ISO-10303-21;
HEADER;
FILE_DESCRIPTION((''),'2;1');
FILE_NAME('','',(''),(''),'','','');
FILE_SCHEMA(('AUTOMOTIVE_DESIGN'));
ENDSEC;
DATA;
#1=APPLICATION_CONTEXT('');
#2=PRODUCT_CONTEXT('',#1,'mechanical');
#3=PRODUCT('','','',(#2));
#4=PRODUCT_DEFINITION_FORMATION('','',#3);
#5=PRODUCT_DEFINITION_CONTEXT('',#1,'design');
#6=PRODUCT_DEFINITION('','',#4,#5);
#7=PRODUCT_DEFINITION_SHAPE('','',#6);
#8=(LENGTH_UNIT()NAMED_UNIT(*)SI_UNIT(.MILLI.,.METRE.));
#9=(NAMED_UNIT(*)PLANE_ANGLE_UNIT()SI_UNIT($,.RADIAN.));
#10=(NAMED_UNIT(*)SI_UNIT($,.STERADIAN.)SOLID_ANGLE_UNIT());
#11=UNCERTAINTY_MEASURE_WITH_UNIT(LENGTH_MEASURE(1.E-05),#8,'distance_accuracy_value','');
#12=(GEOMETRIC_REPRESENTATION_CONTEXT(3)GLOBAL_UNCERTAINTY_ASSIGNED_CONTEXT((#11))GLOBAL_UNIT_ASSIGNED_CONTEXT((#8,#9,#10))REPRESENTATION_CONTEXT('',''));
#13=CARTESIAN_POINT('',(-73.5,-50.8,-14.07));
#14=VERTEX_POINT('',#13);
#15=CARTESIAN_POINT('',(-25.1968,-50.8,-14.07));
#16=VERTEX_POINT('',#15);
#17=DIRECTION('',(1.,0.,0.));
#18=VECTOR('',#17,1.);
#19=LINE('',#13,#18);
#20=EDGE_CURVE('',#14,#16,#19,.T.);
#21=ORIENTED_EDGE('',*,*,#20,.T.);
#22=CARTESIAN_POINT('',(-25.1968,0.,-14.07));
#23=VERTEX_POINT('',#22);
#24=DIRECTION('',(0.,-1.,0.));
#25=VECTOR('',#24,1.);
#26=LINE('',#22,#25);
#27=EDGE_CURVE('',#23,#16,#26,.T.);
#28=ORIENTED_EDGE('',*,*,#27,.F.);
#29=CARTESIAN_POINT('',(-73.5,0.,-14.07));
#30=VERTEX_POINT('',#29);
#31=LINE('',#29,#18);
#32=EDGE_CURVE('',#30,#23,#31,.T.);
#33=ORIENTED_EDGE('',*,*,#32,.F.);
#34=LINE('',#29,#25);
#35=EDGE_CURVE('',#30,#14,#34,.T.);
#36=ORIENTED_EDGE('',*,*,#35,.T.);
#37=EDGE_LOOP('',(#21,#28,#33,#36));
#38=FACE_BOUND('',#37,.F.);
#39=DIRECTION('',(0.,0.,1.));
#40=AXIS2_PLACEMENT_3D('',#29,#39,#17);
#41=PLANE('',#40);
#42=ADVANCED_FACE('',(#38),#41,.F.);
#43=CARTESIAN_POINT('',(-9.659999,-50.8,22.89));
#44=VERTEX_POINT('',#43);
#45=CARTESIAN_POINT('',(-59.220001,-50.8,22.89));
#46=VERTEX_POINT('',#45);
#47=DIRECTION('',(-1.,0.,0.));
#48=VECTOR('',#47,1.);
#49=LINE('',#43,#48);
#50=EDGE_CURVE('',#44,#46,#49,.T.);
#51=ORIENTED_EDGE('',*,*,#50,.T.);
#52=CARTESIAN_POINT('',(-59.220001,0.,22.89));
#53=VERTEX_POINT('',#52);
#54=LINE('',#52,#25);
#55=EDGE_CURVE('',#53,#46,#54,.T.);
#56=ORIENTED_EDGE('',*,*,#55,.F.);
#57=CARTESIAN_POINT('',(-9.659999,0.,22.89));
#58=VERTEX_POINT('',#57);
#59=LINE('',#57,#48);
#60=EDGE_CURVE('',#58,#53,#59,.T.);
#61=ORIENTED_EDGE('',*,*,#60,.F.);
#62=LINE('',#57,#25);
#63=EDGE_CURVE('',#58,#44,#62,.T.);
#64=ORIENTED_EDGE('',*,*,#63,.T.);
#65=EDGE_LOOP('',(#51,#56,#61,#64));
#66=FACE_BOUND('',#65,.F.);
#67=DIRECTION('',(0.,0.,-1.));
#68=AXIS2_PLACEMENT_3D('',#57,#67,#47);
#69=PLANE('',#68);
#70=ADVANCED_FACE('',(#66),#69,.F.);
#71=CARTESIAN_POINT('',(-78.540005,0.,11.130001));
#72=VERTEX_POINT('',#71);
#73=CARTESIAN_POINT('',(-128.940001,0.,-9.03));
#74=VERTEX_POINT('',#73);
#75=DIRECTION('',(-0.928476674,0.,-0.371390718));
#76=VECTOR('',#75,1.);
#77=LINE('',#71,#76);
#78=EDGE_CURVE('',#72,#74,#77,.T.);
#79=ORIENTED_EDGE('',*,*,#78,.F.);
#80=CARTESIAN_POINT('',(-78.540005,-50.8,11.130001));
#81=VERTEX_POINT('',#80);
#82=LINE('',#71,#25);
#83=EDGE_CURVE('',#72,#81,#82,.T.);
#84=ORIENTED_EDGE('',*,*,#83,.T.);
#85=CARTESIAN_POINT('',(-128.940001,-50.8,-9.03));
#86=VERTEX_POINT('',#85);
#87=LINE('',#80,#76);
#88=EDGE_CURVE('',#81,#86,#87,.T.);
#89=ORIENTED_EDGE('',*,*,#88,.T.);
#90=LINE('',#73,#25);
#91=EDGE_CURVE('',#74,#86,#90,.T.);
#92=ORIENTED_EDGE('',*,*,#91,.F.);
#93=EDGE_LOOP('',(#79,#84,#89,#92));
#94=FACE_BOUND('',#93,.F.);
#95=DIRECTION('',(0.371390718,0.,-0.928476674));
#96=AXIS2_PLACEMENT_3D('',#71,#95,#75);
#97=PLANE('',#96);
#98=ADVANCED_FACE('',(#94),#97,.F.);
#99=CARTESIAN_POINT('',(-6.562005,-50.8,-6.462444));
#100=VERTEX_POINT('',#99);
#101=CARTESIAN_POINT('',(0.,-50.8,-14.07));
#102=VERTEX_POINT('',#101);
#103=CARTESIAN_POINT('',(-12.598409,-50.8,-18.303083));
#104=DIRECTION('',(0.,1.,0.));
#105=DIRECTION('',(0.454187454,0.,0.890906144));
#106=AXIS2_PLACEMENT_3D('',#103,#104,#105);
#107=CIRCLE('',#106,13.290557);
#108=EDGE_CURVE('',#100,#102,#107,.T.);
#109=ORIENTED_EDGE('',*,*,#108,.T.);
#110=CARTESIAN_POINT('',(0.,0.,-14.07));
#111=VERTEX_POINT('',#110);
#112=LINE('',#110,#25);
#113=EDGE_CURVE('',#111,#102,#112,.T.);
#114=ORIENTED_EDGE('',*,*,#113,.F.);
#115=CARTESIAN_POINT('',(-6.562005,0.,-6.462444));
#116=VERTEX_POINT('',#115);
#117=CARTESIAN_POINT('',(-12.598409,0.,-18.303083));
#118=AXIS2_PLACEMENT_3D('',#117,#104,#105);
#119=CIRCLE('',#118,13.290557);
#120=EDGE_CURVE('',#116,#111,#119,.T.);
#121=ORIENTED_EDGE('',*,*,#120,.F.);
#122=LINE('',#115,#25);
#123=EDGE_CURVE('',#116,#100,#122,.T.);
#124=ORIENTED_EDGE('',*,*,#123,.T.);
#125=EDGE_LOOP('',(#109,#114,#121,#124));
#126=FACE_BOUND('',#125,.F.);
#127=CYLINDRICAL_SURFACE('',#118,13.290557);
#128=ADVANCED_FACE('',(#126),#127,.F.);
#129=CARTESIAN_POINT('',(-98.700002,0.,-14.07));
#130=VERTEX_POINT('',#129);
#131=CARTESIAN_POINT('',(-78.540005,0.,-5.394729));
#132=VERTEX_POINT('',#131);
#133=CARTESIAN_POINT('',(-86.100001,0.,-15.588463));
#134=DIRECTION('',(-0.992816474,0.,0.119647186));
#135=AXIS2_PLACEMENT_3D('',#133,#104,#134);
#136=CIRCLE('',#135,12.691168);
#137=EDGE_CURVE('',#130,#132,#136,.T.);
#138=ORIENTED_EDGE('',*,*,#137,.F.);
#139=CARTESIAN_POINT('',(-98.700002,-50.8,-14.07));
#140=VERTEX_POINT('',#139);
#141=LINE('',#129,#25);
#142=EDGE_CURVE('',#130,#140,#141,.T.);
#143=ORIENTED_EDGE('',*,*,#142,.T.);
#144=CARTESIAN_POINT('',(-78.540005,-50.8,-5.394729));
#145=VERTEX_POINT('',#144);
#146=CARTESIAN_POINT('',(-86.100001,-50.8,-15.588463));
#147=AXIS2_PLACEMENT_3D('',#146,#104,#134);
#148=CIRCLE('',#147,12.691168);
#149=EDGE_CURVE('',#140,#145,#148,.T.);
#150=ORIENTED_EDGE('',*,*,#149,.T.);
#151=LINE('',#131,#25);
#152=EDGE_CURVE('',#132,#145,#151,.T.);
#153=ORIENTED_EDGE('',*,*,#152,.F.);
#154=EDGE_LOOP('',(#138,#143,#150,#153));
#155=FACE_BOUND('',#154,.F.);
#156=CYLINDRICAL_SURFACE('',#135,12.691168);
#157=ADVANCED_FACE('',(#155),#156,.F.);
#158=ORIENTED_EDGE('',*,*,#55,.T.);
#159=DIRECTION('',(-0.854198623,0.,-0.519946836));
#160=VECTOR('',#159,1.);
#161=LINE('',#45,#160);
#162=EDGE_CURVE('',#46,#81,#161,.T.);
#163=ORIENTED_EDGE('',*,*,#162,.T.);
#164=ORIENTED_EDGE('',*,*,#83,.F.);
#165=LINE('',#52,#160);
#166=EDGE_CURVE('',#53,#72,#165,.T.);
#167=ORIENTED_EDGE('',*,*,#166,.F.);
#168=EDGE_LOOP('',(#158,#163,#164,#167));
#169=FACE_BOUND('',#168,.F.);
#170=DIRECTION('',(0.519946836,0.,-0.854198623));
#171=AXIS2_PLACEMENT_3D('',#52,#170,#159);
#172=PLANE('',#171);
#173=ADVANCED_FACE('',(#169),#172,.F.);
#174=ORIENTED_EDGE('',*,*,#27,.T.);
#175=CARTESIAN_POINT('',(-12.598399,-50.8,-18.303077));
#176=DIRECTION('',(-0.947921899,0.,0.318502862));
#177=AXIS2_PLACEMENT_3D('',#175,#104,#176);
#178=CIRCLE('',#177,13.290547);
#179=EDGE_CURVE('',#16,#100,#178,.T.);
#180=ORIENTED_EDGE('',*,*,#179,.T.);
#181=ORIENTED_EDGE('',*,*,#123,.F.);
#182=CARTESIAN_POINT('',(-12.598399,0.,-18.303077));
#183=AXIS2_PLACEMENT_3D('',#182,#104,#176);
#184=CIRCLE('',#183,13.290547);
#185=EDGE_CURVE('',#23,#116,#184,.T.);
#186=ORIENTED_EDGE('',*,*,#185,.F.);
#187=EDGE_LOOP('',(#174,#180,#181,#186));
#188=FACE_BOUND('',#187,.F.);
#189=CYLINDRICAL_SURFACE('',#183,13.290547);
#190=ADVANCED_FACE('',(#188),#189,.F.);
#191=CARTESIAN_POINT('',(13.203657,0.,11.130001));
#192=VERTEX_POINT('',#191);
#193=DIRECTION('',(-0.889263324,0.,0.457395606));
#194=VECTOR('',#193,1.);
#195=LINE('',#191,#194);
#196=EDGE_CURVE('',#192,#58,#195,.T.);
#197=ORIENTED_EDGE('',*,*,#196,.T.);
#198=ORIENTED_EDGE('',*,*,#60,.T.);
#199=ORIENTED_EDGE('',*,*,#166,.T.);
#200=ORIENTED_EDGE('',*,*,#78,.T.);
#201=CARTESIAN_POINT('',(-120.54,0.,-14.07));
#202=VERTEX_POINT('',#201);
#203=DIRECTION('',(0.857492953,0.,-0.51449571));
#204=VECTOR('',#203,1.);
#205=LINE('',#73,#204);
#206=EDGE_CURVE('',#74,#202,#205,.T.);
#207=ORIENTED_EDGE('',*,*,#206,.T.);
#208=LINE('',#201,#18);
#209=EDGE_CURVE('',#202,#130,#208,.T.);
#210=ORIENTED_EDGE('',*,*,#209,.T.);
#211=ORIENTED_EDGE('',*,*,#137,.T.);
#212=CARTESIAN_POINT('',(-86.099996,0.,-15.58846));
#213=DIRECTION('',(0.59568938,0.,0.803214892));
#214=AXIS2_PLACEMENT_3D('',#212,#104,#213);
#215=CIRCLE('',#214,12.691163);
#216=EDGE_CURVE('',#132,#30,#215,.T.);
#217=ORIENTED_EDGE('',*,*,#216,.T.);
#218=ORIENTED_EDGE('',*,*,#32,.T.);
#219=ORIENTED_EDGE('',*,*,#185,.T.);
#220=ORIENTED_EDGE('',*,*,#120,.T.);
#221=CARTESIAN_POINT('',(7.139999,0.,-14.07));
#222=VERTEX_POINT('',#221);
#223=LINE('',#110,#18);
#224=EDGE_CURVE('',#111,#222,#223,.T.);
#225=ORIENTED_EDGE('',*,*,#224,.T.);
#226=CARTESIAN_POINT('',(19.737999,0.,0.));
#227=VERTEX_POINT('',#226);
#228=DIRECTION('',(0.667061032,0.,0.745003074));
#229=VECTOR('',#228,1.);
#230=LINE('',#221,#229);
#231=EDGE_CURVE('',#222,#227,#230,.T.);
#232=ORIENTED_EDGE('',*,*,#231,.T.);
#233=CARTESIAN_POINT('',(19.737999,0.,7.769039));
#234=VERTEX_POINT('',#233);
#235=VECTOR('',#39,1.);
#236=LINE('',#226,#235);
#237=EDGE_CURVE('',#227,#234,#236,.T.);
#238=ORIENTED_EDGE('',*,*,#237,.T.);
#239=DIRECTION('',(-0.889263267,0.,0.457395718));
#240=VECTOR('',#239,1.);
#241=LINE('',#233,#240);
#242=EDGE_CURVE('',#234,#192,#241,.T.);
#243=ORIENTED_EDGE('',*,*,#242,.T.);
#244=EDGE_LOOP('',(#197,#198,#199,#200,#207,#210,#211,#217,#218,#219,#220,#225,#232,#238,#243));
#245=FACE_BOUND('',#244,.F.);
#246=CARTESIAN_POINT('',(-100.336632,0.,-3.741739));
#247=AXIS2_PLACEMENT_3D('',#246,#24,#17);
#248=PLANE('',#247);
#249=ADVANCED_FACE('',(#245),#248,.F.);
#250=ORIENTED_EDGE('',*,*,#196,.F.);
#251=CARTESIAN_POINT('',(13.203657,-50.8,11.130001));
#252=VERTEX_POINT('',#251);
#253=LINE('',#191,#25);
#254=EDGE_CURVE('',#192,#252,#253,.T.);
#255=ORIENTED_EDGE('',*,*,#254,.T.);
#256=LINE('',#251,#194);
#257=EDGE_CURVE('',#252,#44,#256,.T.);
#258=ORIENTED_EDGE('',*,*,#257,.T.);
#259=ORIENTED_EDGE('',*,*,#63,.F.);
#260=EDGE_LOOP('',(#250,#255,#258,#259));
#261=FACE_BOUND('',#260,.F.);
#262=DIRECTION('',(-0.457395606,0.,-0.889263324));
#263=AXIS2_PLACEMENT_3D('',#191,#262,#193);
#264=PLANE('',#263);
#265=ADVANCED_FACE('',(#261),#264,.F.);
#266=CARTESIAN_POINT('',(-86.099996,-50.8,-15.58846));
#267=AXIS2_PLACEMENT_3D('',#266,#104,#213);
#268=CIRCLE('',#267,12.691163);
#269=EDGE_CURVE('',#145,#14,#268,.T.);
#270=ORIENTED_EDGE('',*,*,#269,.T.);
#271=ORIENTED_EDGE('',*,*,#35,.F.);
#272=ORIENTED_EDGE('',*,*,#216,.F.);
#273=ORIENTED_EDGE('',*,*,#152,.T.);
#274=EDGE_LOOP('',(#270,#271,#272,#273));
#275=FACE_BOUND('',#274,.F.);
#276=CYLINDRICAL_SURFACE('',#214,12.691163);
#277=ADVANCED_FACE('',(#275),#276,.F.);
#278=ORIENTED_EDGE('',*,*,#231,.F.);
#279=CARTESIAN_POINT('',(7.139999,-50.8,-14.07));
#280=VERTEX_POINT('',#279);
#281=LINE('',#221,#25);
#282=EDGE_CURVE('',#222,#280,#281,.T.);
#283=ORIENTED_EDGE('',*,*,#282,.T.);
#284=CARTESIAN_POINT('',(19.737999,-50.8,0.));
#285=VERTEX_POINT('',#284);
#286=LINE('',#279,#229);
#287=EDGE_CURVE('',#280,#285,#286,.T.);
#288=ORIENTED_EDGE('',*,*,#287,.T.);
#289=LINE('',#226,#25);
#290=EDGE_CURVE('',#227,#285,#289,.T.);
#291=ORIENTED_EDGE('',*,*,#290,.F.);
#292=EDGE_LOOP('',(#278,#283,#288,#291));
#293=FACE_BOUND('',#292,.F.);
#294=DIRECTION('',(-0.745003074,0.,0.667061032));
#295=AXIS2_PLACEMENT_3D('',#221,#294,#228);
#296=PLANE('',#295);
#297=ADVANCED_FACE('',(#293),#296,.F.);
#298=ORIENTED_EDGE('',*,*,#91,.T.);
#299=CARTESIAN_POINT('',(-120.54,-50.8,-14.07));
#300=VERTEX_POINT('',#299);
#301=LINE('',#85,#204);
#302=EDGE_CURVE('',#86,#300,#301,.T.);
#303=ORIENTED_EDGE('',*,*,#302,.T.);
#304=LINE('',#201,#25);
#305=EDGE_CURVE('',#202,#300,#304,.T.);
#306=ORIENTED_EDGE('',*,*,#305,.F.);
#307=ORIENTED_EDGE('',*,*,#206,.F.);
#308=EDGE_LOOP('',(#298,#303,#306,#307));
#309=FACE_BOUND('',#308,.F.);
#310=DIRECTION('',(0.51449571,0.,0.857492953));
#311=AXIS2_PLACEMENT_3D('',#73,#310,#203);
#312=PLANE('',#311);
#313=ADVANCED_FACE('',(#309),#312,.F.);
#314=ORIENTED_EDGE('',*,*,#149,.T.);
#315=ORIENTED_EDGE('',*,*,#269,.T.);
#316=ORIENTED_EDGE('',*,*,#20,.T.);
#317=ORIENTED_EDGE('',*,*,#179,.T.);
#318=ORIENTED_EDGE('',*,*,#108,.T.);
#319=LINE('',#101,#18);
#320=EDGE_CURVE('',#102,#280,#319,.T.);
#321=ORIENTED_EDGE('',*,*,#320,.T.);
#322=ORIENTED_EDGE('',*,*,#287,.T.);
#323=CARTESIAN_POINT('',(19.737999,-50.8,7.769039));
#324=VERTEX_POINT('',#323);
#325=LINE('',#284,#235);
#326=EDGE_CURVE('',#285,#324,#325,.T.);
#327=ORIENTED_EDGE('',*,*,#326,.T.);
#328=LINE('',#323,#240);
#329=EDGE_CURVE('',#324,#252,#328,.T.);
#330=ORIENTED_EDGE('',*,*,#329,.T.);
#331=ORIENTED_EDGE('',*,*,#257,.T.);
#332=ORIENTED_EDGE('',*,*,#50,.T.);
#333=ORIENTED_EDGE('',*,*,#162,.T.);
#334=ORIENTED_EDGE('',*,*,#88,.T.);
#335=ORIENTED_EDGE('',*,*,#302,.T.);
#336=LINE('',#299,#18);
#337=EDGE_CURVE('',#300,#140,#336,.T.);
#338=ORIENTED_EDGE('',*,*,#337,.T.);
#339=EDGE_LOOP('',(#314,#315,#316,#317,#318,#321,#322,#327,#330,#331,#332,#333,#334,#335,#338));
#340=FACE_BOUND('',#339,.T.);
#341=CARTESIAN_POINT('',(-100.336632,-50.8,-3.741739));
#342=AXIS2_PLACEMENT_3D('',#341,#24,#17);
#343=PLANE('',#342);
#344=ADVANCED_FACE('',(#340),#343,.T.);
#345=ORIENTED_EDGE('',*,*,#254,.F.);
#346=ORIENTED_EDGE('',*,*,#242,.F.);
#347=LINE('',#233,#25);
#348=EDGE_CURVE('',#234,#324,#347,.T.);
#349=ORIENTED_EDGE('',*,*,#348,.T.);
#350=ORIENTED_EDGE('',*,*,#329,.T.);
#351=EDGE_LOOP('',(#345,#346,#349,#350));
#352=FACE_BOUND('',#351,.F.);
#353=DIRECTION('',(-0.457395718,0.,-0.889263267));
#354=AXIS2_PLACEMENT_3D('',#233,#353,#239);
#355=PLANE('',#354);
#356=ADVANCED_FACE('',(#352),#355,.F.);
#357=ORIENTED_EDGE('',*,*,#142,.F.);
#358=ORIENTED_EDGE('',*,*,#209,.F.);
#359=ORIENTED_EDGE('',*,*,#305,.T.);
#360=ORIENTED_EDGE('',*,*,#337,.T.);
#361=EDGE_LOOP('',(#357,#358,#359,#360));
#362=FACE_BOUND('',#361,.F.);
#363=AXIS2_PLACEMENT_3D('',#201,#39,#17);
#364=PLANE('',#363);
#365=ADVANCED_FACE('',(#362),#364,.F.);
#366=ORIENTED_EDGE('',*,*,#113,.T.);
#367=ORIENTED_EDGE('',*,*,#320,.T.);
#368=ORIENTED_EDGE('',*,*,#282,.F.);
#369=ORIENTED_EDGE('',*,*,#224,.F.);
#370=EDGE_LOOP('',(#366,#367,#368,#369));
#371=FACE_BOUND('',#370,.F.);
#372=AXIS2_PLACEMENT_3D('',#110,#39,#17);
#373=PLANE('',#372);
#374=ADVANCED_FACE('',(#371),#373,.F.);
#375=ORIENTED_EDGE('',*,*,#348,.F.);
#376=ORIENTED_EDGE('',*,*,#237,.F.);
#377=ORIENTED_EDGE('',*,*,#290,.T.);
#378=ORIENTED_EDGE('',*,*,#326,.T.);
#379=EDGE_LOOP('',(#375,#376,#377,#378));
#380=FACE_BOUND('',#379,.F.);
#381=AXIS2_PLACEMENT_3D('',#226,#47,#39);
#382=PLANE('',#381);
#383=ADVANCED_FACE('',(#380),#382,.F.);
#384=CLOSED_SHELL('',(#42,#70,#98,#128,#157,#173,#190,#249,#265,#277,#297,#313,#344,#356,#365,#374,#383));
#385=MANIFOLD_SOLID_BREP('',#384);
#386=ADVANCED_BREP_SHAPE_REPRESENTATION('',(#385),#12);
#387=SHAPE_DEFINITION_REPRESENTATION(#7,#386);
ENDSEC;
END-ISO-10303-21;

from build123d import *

# Parameters (mm, degrees)
F1_DEPTH = 50.8


with BuildPart() as f1:
    # F0 (on Front) → F1 (new body)
    with BuildSketch(Plane.XZ):
        with BuildLine():
            Line((-128.940001, -9.03), (-120.54, -14.07))
            Line((-120.54, -14.07), (-98.700002, -14.07))
            ThreePointArc((-98.700002, -14.07), (-91.116523, -3.930836), (-78.540005, -5.394729))
            Line((-78.540005, -5.394729), (-78.540005, 11.130001))
            Line((-78.540005, 11.130001), (-128.940001, -9.03))
        make_face()
        with BuildLine():
            Line((-78.540005, 11.130001), (-78.540005, -5.394729))
            ThreePointArc((-78.540005, -5.394729), (-75.12633, -9.213174), (-73.5, -14.07))
            Line((-73.5, -14.07), (-34.44, -14.07))
            Line((-34.44, -14.07), (-34.44, 11.130001))
            Line((-34.44, 11.130001), (-78.540005, 11.130001))
        make_face()
        Polygon((-59.220001, 22.89), (-78.540005, 11.130001), (-34.44, 11.130001), (-6.562005, 11.130001), (13.203657, 11.130001), (-9.659999, 22.89), align=None)
        with BuildLine():
            Line((-6.562005, 11.130001), (-34.44, 11.130001))
            Line((-34.44, 11.130001), (-34.44, -14.07))
            Line((-34.44, -14.07), (-25.1968, -14.07))
            ThreePointArc((-25.1968, -14.07), (-17.621716, -5.998406), (-6.562005, -6.462444))
            Line((-6.562005, -6.462444), (-6.562005, 11.130001))
        make_face()
        with BuildLine():
            Line((13.203657, 11.130001), (-6.562005, 11.130001))
            Line((-6.562005, 11.130001), (-6.562005, -6.462444))
            ThreePointArc((-6.562005, -6.462444), (-2.534474, -9.622293), (0, -14.07))
            Line((0, -14.07), (7.139999, -14.07))
            Line((7.139999, -14.07), (19.737999, 0))
            Line((19.737999, 0), (19.737999, 7.769039))
            Line((19.737999, 7.769039), (13.203657, 11.130001))
        make_face()
    extrude(amount=F1_DEPTH)


solid = f1.part
